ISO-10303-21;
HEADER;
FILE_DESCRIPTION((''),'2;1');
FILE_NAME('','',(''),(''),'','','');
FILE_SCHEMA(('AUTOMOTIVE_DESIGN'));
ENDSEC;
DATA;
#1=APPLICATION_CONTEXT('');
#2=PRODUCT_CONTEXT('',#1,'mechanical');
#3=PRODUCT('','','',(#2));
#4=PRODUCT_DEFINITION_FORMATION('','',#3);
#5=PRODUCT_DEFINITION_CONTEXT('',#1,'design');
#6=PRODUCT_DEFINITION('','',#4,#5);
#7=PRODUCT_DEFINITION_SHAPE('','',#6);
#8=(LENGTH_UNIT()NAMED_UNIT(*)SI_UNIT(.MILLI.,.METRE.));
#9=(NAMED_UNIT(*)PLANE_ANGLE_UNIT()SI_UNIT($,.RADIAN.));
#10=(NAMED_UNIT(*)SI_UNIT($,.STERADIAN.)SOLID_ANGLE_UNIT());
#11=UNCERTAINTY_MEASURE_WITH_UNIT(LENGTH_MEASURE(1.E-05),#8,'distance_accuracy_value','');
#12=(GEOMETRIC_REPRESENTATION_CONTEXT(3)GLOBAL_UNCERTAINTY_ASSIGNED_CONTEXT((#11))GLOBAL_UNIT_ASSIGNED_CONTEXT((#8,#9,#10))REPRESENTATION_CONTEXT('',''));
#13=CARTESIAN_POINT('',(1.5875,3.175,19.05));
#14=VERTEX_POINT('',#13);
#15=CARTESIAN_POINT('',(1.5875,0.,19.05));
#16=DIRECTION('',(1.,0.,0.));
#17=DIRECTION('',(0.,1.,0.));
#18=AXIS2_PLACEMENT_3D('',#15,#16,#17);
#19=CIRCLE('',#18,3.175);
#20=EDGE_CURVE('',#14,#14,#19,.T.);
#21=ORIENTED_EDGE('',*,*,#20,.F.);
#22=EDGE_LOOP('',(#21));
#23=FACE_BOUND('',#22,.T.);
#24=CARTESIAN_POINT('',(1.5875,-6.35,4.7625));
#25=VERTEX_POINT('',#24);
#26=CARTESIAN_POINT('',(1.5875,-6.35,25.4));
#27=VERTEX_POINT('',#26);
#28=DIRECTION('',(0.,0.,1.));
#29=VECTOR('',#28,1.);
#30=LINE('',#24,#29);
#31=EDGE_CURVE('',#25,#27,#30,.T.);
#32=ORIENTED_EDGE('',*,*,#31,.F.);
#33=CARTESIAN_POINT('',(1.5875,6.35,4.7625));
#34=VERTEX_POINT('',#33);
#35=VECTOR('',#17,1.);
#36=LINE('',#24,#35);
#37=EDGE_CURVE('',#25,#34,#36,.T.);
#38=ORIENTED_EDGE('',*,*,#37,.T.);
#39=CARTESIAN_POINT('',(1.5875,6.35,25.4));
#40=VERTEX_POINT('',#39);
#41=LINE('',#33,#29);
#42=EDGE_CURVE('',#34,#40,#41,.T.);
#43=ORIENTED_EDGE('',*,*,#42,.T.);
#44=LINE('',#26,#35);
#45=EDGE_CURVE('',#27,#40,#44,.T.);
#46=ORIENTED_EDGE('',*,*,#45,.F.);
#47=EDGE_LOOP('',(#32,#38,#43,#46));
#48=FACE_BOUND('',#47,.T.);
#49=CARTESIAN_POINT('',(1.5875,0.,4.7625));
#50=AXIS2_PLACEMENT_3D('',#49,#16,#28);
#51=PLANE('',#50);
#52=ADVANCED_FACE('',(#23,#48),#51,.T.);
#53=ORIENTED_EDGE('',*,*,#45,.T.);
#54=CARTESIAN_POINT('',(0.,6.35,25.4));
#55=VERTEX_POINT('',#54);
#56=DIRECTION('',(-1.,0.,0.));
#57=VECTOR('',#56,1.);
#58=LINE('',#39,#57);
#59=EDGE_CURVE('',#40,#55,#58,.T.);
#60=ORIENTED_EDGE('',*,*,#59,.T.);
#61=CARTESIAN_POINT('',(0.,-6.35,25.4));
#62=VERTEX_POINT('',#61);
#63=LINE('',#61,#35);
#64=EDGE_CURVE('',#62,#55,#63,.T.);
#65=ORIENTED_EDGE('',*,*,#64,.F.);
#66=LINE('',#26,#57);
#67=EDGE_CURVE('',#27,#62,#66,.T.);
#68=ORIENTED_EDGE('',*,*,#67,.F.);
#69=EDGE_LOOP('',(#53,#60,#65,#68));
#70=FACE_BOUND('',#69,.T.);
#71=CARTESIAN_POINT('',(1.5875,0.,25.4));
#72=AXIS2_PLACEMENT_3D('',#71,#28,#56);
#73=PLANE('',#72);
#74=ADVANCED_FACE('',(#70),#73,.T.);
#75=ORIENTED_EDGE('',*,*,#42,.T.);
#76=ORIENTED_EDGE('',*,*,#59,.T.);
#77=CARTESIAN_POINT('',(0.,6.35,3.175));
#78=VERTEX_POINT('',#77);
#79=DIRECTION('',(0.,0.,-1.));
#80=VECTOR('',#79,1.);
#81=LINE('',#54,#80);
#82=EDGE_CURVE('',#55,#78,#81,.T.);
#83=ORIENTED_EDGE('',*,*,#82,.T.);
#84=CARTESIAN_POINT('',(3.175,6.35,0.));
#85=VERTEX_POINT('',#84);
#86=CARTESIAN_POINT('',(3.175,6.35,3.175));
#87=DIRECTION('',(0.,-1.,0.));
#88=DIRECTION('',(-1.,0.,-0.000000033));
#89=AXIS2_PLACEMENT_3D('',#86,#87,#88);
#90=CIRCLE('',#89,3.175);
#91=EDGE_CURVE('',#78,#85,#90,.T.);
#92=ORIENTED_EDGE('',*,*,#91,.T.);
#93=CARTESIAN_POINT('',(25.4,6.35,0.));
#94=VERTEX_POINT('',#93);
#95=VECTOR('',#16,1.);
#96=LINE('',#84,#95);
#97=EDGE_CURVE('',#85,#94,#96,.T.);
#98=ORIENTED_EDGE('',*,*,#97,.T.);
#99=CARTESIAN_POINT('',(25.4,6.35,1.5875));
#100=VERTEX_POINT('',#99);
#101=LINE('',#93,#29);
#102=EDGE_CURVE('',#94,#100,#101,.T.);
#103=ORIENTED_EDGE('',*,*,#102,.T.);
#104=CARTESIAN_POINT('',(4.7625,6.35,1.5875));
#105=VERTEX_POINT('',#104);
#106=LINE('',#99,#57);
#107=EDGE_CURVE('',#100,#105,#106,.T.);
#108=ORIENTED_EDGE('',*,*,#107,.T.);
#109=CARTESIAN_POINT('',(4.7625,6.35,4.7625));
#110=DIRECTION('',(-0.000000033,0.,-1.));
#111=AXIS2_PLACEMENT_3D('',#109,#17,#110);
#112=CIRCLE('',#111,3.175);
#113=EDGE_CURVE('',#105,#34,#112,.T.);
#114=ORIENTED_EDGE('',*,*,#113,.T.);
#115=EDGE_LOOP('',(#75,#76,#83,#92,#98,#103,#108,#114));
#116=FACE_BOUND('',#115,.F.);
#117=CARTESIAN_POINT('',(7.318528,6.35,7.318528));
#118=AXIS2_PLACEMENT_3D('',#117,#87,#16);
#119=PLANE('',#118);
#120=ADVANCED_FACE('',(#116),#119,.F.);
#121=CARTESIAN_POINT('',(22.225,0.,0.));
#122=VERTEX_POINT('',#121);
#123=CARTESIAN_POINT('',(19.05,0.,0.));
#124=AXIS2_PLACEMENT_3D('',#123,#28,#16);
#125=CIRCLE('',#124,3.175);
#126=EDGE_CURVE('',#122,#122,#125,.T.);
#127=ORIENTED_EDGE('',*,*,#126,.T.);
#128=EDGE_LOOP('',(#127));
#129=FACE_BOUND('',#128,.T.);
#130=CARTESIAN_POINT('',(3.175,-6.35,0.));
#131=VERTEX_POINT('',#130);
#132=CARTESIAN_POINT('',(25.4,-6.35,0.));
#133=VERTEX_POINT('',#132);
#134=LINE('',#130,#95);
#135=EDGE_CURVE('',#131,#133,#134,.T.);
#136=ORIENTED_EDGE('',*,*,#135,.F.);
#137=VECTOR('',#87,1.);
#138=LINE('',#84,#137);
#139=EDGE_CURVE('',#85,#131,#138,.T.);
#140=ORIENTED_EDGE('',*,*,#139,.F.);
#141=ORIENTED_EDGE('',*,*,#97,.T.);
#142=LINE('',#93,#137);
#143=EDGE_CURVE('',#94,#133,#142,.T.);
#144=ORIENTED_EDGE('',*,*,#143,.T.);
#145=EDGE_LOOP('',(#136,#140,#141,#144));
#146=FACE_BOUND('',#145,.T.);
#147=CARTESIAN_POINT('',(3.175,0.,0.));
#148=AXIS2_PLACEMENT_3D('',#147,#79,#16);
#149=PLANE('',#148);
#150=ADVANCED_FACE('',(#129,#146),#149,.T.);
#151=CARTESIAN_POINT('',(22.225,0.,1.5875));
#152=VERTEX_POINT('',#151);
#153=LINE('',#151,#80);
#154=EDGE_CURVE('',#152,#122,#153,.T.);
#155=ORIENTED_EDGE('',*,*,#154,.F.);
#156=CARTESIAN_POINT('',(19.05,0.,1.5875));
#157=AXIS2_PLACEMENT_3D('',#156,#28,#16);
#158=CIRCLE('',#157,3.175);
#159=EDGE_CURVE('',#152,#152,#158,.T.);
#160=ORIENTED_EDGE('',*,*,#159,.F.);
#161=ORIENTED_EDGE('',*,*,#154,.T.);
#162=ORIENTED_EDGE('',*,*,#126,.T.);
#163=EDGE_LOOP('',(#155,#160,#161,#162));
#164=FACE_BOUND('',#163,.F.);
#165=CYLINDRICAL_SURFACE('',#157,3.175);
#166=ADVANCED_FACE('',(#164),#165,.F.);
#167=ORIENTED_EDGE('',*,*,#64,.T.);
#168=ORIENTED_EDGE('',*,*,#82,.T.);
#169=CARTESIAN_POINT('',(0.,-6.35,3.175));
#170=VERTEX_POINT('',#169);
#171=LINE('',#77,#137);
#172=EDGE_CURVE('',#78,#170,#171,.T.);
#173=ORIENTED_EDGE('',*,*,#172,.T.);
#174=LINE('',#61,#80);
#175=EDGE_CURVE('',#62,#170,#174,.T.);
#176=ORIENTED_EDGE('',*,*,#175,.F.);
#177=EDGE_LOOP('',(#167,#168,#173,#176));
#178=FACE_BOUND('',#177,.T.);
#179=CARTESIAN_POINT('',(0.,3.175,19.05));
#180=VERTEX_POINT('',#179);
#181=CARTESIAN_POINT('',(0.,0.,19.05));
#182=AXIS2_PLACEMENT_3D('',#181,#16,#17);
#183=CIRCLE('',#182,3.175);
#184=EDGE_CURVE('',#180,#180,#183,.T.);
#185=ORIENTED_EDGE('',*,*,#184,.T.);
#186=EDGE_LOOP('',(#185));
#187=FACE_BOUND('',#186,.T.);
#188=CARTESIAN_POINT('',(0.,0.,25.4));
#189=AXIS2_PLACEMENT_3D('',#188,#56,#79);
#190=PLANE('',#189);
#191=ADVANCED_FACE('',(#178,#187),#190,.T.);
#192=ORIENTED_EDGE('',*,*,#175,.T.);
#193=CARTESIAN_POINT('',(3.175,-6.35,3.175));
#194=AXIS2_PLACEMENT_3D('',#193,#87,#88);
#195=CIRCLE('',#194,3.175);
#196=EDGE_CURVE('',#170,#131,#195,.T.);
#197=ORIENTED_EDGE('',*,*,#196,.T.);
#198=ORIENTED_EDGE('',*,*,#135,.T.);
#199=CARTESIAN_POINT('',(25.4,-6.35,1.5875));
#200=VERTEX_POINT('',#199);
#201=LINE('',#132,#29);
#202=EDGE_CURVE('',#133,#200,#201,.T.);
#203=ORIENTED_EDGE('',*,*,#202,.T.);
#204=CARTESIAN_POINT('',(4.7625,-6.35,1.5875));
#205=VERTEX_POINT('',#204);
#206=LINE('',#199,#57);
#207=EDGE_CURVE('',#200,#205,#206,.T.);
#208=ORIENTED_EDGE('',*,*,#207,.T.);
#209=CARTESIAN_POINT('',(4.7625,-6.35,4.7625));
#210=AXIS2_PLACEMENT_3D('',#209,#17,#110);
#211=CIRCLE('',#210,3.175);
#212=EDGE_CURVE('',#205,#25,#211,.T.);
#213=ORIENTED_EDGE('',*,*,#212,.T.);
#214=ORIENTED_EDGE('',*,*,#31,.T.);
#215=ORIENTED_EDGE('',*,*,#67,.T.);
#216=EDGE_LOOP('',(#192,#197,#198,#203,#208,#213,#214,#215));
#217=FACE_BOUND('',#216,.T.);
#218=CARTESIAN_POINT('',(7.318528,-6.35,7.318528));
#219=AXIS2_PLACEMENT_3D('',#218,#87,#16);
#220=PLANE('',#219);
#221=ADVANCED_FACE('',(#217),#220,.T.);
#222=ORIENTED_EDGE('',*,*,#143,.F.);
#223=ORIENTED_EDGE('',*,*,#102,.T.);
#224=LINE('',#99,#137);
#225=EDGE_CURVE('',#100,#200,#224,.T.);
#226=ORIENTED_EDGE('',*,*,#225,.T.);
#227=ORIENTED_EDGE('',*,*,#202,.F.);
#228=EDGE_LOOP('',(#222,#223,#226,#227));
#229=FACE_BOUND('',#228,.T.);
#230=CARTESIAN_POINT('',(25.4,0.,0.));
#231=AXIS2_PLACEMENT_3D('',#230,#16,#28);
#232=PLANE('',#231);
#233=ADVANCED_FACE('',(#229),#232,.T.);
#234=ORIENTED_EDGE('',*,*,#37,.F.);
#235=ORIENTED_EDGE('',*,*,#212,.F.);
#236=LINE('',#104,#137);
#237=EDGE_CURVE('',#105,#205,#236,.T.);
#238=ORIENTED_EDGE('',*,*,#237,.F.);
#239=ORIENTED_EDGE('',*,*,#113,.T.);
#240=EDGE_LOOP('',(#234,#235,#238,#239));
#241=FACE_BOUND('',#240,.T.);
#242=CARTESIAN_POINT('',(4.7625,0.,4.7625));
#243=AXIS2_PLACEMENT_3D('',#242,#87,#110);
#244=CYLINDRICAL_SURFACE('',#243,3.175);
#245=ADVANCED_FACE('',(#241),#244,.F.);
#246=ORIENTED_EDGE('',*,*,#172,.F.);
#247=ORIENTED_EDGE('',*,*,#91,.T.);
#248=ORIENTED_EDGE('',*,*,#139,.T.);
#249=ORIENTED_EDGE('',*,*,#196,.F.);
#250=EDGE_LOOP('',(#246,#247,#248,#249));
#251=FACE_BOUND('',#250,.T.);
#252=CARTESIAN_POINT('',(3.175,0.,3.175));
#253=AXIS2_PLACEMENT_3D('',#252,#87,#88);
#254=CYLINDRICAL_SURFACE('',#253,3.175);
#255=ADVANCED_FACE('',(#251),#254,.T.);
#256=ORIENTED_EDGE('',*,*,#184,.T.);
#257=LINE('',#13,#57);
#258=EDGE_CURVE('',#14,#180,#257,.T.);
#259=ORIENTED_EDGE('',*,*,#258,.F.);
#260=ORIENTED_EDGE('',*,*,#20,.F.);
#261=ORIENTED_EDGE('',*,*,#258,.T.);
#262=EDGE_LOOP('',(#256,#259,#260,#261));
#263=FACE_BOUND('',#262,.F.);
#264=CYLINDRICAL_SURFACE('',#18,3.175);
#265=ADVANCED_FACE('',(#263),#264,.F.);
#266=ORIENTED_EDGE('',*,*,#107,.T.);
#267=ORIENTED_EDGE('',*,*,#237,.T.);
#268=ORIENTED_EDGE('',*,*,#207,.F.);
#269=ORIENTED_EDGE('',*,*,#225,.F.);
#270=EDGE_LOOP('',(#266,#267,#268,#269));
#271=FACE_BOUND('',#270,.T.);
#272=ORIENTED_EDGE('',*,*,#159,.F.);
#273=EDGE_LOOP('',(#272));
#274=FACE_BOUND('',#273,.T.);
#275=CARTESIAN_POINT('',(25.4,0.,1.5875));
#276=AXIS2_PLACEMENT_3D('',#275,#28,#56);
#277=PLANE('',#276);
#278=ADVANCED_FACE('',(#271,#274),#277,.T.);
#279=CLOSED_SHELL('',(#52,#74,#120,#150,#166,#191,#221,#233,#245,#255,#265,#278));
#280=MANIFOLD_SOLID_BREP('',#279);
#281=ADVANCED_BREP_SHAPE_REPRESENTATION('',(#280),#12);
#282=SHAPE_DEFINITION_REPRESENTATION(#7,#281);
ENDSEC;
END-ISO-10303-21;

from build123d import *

# Parameters (mm, degrees)
F1_DEPTH      = 6.35
F1_DEPTH_BACK = 6.35
F3_R          = 3.175
F4_DEPTH      = 1.5885
F2_R          = 3.175
F5_DEPTH      = 1.5885


with BuildPart() as f1:
    # F0 (on Front) → F1 (new body, two sides)
    with BuildSketch(Plane.XZ) as f1_sk:
        with BuildLine():
            Line((0, 25.4), (0, 3.175))
            ThreePointArc((0, 3.175), (0.929936, 0.929936), (3.175, 0))
            Line((3.175, 0), (25.4, 0))
            Line((25.4, 0), (25.4, 1.5875))
            Line((25.4, 1.5875), (4.7625, 1.5875))
            ThreePointArc((4.7625, 1.5875), (2.517436, 2.517436), (1.5875, 4.7625))
            Line((1.5875, 4.7625), (1.5875, 25.4))
            Line((1.5875, 25.4), (0, 25.4))
        make_face()
    extrude(amount=F1_DEPTH)
    extrude(f1_sk.sketch, amount=-F1_DEPTH_BACK)

    # F3 (on face) → F4 (cut, through all)
    with BuildSketch(Plane.YZ.offset(1.5875)):
        with Locations((0, 19.05)):
            Circle(F3_R)
    extrude(amount=-F4_DEPTH, mode=Mode.SUBTRACT)

    # F2 (on face) → F5 (cut, through all)
    with BuildSketch(Plane.XY.offset(1.5875)):
        with Locations((19.05, 0)):
            Circle(F2_R)
    extrude(amount=-F5_DEPTH, mode=Mode.SUBTRACT)


solid = f1.part
